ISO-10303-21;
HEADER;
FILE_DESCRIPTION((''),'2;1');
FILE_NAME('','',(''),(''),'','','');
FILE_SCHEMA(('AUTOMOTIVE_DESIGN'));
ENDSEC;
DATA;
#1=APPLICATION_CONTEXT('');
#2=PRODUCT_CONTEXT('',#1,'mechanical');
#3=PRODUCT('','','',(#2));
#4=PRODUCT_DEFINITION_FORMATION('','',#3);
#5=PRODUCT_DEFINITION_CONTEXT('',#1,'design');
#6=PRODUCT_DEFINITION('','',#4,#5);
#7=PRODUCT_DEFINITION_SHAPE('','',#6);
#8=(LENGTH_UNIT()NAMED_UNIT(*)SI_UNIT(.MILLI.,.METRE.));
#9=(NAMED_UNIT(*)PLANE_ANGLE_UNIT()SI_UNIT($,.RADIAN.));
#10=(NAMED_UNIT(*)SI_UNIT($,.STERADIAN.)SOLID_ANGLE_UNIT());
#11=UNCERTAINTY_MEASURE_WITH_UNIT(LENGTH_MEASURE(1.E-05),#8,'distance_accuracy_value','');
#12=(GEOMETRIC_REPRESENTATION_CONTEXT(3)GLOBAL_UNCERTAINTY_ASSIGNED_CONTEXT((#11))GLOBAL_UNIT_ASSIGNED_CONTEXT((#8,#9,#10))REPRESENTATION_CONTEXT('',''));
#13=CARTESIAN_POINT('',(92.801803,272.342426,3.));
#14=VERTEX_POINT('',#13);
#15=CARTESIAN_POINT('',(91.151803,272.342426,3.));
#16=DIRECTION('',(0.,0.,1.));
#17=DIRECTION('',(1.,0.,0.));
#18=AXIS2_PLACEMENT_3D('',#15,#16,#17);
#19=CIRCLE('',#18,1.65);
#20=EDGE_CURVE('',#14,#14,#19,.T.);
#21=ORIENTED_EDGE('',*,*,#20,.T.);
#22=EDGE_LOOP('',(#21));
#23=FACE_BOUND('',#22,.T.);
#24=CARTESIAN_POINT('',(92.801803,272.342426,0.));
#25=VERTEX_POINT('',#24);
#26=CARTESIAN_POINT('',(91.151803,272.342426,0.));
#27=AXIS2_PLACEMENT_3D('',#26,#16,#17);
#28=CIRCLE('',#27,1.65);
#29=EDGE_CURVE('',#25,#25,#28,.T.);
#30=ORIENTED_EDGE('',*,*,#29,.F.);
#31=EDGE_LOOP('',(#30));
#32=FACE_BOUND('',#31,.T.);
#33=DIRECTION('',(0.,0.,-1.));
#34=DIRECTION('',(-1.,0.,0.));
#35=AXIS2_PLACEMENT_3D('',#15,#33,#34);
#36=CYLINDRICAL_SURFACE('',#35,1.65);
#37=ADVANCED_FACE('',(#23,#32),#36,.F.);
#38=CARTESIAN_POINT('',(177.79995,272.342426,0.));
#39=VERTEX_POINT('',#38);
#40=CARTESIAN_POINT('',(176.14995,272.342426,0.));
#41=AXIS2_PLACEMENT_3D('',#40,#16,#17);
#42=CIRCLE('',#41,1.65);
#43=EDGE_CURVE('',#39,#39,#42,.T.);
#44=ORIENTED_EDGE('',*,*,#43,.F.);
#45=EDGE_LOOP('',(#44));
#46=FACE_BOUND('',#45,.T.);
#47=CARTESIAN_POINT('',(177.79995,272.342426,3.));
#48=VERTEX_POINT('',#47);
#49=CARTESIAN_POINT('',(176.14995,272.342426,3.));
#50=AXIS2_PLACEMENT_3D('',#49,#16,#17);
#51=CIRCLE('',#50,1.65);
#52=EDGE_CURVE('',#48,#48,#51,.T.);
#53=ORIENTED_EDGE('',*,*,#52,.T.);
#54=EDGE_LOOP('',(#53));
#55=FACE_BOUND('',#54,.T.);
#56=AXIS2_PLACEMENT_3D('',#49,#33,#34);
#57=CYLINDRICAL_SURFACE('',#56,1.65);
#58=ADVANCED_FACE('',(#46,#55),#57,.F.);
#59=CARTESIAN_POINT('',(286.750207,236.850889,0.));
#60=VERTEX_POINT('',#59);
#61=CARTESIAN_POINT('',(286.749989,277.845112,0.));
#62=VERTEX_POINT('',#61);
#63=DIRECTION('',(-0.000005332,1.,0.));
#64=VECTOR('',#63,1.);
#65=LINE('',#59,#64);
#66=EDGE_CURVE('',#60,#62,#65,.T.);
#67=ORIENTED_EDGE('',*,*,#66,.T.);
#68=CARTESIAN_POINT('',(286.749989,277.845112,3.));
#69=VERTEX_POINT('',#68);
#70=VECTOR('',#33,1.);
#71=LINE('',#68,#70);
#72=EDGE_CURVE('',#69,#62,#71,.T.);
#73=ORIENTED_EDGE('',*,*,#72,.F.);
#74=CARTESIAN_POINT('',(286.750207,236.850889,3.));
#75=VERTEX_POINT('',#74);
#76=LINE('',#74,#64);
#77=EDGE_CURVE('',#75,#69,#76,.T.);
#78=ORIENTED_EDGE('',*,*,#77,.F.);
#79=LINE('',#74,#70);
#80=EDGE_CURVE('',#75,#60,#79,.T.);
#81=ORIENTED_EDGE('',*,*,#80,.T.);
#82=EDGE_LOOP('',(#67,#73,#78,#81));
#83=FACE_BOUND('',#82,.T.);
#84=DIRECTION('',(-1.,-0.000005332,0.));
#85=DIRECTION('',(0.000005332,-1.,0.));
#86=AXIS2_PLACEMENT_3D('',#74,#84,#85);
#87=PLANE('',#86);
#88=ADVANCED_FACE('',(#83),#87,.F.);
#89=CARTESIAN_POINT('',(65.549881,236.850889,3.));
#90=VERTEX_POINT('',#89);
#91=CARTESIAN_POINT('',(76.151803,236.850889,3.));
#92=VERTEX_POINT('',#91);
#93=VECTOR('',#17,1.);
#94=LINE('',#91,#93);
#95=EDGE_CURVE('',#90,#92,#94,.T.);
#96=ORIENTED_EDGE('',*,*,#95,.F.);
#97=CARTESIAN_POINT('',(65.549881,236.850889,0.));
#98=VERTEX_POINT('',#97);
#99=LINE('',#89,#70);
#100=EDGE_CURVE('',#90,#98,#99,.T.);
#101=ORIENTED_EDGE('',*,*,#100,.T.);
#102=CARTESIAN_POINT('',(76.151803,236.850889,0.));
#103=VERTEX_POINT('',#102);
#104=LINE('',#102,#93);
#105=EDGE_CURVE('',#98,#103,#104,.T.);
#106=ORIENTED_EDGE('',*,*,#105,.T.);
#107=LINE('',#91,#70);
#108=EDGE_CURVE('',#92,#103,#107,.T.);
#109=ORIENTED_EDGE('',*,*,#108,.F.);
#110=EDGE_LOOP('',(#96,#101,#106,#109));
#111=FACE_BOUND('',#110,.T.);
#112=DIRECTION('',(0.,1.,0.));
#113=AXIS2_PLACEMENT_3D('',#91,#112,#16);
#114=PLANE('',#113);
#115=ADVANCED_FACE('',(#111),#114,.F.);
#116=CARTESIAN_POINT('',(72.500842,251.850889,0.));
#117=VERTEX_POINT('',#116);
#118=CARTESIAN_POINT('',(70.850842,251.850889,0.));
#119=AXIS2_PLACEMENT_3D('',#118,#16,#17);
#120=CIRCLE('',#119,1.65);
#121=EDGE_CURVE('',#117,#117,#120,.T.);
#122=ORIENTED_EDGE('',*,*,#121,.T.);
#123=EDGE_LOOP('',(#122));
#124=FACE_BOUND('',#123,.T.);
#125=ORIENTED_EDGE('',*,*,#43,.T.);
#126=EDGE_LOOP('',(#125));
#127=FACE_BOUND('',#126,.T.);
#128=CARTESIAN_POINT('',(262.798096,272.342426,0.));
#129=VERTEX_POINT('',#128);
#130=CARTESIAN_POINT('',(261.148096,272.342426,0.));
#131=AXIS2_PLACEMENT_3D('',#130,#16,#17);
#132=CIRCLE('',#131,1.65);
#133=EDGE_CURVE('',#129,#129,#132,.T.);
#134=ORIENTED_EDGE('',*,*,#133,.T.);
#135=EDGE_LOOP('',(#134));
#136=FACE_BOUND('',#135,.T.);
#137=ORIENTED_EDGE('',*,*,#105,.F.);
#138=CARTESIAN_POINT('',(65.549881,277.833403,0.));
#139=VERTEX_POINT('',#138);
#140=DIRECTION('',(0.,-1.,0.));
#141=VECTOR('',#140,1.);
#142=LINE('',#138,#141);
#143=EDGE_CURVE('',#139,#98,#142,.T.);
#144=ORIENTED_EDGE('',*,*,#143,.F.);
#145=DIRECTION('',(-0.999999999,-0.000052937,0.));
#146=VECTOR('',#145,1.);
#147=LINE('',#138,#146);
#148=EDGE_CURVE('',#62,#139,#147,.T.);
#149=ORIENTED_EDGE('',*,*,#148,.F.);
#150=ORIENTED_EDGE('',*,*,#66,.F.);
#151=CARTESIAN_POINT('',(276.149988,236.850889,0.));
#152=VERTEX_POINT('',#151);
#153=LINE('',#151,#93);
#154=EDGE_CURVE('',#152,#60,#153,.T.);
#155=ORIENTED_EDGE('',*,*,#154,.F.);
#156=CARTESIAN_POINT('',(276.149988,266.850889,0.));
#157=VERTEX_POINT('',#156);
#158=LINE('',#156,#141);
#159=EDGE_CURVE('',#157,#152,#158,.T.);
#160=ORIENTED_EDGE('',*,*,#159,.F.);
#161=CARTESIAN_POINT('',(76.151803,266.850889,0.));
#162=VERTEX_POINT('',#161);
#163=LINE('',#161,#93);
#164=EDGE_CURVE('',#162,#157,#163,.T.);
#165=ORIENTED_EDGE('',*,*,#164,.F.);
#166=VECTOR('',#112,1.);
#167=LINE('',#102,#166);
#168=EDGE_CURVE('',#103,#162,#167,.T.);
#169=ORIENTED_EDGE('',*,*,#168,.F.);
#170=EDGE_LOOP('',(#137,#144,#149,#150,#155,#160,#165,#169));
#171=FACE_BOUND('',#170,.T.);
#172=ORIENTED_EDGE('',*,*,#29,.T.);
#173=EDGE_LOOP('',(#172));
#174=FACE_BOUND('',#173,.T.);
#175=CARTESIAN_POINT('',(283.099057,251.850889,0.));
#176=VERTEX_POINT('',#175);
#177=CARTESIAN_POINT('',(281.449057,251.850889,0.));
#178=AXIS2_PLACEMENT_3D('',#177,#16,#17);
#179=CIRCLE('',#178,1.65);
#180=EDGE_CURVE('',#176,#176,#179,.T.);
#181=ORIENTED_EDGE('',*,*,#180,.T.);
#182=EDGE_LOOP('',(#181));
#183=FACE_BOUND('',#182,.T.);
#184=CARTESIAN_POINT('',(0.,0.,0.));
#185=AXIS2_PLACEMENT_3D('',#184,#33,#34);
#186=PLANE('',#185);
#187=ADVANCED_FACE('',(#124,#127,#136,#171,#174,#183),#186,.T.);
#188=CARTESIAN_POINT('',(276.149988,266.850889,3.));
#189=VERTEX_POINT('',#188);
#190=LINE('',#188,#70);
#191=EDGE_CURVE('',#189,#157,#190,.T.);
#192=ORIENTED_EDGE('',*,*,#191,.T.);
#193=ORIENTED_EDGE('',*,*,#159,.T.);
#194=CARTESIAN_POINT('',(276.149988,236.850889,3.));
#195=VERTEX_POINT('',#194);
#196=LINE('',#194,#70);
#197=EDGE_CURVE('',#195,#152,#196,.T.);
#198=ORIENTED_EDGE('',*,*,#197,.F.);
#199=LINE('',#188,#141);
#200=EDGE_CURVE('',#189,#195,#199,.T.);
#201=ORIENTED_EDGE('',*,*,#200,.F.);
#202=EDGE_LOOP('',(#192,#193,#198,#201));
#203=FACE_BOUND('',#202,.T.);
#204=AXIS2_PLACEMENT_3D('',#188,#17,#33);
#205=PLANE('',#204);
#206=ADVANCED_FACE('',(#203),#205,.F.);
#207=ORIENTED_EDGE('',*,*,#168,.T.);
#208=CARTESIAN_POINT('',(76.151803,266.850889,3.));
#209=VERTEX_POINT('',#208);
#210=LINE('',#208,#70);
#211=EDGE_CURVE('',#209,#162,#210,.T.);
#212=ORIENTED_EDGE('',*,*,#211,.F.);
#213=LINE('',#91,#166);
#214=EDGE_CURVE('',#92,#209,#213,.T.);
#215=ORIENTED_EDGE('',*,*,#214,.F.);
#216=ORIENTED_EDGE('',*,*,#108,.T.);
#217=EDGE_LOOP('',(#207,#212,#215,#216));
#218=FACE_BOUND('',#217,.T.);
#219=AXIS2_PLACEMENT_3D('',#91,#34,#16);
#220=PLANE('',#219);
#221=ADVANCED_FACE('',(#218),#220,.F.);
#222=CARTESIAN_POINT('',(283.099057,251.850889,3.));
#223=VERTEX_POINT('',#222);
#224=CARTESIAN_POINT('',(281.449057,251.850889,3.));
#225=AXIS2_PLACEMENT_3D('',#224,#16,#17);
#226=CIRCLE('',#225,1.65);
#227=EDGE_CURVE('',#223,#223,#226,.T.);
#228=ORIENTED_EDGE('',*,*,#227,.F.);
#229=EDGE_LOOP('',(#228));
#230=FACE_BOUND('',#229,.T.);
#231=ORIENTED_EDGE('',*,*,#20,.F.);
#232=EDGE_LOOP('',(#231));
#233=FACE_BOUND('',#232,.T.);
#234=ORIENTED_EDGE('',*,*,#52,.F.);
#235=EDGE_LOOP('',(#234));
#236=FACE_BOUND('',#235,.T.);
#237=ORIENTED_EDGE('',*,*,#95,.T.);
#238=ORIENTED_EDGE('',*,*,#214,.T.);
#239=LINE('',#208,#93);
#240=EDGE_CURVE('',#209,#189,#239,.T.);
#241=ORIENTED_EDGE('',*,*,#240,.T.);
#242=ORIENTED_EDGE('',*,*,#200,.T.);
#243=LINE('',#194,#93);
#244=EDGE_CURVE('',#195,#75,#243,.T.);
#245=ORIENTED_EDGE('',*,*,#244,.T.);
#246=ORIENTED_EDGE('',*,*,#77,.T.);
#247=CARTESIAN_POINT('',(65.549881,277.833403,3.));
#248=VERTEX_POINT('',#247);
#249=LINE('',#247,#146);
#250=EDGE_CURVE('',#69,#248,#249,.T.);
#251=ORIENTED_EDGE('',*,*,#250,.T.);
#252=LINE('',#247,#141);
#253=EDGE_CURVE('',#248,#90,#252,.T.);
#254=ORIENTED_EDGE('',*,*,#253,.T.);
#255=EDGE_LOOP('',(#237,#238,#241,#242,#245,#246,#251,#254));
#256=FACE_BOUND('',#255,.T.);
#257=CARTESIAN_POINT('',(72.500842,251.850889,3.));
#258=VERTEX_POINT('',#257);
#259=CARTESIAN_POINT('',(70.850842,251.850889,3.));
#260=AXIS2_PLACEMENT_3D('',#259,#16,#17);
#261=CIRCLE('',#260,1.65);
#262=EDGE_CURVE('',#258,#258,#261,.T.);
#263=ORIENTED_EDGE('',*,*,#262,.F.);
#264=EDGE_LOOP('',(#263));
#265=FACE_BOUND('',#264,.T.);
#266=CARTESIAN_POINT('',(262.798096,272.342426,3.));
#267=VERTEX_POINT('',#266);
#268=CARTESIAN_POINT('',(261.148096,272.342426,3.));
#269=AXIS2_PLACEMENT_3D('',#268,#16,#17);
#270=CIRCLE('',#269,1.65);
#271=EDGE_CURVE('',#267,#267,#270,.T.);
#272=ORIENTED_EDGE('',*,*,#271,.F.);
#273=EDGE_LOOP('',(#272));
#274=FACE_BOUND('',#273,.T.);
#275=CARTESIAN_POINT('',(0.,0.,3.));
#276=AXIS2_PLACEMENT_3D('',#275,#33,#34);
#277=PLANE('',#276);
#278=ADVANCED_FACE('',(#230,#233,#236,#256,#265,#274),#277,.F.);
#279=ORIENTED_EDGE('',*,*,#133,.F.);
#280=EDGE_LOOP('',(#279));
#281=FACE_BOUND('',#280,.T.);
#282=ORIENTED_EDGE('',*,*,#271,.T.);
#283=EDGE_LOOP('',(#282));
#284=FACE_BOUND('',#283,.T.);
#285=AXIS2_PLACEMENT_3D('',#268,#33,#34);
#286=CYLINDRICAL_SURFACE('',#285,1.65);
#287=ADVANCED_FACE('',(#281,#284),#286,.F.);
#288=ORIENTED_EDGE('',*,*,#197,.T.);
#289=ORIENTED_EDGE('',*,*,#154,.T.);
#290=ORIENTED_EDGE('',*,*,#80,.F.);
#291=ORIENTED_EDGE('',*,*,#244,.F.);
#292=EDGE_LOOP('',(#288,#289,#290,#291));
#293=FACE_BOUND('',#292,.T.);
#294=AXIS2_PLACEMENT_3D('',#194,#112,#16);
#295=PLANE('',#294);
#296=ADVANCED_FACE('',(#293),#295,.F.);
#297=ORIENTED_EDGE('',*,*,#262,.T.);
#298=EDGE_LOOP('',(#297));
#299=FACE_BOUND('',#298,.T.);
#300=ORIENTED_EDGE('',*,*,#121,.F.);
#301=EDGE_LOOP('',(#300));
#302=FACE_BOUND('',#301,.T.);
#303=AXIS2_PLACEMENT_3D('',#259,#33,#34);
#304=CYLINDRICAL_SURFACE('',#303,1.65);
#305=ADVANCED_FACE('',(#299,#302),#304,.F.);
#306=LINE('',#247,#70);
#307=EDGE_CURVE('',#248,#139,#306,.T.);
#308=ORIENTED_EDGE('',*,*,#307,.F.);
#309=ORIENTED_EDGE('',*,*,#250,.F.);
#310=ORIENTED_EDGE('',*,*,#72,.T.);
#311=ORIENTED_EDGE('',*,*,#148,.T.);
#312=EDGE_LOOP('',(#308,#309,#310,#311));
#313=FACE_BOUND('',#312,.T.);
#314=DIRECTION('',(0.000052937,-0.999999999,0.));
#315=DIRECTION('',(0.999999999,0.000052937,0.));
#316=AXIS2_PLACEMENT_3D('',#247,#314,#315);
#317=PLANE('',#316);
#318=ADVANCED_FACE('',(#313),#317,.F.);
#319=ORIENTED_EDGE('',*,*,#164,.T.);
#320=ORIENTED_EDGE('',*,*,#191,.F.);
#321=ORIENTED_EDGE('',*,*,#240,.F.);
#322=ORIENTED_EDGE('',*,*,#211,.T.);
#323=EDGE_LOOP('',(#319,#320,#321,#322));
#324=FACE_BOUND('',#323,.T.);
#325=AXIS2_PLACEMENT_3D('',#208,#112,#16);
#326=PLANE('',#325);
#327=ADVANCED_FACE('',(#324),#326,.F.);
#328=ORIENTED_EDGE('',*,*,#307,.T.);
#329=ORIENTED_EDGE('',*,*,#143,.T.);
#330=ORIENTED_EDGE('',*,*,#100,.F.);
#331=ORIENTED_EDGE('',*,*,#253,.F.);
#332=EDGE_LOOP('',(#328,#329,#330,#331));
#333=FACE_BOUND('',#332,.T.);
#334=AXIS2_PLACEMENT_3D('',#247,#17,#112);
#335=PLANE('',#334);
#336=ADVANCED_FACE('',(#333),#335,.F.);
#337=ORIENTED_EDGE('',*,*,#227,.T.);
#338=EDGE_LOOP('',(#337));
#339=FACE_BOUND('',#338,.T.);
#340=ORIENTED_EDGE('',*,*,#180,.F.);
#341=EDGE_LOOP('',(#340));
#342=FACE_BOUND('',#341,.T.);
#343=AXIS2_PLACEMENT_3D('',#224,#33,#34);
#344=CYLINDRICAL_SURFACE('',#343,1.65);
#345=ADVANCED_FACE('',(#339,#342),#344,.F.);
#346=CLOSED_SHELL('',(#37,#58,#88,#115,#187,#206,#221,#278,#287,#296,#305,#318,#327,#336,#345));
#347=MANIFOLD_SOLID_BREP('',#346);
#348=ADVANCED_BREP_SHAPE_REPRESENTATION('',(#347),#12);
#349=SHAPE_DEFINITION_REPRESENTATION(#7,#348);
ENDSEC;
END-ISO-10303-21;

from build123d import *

# Parameters (mm, degrees)
CROQUIS1_R              = 1.65
SALIENTE_EXTRUIR1_DEPTH = 3


with BuildPart() as part:
    # Croquis1 → Saliente-Extruir1 (new body)
    with BuildSketch(Plane.XY):
        Polygon((76.151803136, 236.850888729), (65.549881, 236.850888729), (65.549881, 277.83340256), (286.749988794, 277.845112205), (286.750207376, 236.850888729), (276.149988174, 236.850888729), (276.149988174, 266.850888729), (76.151803136, 266.850888729), align=None)
        with Locations((70.850842068, 251.850888729)):
            Circle(CROQUIS1_R, mode=Mode.SUBTRACT)
        with Locations((91.151803136, 272.342426261)):
            Circle(CROQUIS1_R, mode=Mode.SUBTRACT)
        with Locations((176.149949567, 272.342426261)):
            Circle(CROQUIS1_R, mode=Mode.SUBTRACT)
        with Locations((261.148095998, 272.342426261)):
            Circle(CROQUIS1_R, mode=Mode.SUBTRACT)
        with Locations((281.449057067, 251.850888729)):
            Circle(CROQUIS1_R, mode=Mode.SUBTRACT)
    extrude(amount=SALIENTE_EXTRUIR1_DEPTH)


solid = part.part
